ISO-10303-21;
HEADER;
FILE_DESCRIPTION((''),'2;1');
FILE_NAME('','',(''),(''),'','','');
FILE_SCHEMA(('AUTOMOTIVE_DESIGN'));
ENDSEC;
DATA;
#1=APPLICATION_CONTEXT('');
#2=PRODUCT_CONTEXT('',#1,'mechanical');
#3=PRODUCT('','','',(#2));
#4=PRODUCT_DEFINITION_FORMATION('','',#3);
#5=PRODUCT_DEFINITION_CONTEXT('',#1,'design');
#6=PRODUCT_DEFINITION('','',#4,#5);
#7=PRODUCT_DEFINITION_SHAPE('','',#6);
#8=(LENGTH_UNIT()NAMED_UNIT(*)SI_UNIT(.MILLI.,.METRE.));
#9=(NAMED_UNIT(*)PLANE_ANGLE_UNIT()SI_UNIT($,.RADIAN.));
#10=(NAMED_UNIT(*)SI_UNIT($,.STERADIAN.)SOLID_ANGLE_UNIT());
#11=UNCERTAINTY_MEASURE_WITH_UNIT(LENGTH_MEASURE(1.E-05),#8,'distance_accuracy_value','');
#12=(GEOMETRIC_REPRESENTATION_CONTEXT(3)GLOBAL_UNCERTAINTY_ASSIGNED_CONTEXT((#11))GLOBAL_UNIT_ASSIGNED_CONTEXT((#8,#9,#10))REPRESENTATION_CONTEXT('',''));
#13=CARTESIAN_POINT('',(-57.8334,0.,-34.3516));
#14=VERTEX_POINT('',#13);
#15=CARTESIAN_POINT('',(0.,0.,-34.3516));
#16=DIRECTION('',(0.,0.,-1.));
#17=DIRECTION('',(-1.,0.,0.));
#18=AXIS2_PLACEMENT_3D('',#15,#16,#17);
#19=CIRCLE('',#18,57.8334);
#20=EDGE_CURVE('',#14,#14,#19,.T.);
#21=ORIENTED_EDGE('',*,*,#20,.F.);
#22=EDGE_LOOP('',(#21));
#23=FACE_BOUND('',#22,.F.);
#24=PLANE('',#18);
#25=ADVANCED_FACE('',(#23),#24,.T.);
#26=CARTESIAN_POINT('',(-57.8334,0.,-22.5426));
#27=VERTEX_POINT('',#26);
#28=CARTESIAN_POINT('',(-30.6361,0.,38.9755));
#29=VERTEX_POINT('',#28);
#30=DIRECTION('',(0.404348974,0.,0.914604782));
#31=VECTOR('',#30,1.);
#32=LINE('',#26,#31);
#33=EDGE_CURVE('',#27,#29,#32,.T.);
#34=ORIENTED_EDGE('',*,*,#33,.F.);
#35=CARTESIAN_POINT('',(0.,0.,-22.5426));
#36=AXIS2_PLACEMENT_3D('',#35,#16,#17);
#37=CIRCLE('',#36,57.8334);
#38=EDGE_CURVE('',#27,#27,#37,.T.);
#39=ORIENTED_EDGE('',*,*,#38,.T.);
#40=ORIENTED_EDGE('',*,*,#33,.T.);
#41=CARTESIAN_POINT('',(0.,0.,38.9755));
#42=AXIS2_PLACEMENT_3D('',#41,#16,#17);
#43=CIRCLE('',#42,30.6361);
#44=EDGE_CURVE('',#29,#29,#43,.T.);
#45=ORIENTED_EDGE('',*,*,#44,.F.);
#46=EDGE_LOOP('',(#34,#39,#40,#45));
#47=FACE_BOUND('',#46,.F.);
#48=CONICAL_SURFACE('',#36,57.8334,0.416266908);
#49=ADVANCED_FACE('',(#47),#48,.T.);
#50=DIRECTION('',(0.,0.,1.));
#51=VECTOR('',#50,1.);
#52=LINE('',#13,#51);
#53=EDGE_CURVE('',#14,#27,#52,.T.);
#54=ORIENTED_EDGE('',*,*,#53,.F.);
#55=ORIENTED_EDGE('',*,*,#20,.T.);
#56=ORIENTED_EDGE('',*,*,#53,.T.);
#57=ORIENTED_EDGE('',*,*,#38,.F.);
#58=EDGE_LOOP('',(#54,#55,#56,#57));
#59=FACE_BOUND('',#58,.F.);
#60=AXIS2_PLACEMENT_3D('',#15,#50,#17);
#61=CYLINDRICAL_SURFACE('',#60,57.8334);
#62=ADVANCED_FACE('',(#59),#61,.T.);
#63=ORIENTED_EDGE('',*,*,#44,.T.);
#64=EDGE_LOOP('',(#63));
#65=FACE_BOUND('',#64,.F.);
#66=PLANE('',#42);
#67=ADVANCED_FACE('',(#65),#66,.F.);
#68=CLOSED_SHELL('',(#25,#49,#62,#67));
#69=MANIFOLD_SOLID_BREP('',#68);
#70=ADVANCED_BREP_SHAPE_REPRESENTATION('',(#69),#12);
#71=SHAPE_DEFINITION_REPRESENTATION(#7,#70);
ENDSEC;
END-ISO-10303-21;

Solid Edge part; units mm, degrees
sketch "Sketch1" plane through (0, 0, 0) normal (0, -1, 0) x (1, 0, 0)
  line L0 (-30.6361, 38.9755) -> (0, 38.9755)
  line L1 (0, -34.3516) -> (-57.8334, -34.3516)
  line L2 (-57.8334, -34.3516) -> (-57.8334, -22.5426)
  line L3 (-57.8334, -22.5426) -> (-30.6361, 38.9755)
revolve "RevolvedProtrusion1" add sketch "Sketch1" angle 360 about axis through (0, 0, 41.4146) along (0, 0, -1)
